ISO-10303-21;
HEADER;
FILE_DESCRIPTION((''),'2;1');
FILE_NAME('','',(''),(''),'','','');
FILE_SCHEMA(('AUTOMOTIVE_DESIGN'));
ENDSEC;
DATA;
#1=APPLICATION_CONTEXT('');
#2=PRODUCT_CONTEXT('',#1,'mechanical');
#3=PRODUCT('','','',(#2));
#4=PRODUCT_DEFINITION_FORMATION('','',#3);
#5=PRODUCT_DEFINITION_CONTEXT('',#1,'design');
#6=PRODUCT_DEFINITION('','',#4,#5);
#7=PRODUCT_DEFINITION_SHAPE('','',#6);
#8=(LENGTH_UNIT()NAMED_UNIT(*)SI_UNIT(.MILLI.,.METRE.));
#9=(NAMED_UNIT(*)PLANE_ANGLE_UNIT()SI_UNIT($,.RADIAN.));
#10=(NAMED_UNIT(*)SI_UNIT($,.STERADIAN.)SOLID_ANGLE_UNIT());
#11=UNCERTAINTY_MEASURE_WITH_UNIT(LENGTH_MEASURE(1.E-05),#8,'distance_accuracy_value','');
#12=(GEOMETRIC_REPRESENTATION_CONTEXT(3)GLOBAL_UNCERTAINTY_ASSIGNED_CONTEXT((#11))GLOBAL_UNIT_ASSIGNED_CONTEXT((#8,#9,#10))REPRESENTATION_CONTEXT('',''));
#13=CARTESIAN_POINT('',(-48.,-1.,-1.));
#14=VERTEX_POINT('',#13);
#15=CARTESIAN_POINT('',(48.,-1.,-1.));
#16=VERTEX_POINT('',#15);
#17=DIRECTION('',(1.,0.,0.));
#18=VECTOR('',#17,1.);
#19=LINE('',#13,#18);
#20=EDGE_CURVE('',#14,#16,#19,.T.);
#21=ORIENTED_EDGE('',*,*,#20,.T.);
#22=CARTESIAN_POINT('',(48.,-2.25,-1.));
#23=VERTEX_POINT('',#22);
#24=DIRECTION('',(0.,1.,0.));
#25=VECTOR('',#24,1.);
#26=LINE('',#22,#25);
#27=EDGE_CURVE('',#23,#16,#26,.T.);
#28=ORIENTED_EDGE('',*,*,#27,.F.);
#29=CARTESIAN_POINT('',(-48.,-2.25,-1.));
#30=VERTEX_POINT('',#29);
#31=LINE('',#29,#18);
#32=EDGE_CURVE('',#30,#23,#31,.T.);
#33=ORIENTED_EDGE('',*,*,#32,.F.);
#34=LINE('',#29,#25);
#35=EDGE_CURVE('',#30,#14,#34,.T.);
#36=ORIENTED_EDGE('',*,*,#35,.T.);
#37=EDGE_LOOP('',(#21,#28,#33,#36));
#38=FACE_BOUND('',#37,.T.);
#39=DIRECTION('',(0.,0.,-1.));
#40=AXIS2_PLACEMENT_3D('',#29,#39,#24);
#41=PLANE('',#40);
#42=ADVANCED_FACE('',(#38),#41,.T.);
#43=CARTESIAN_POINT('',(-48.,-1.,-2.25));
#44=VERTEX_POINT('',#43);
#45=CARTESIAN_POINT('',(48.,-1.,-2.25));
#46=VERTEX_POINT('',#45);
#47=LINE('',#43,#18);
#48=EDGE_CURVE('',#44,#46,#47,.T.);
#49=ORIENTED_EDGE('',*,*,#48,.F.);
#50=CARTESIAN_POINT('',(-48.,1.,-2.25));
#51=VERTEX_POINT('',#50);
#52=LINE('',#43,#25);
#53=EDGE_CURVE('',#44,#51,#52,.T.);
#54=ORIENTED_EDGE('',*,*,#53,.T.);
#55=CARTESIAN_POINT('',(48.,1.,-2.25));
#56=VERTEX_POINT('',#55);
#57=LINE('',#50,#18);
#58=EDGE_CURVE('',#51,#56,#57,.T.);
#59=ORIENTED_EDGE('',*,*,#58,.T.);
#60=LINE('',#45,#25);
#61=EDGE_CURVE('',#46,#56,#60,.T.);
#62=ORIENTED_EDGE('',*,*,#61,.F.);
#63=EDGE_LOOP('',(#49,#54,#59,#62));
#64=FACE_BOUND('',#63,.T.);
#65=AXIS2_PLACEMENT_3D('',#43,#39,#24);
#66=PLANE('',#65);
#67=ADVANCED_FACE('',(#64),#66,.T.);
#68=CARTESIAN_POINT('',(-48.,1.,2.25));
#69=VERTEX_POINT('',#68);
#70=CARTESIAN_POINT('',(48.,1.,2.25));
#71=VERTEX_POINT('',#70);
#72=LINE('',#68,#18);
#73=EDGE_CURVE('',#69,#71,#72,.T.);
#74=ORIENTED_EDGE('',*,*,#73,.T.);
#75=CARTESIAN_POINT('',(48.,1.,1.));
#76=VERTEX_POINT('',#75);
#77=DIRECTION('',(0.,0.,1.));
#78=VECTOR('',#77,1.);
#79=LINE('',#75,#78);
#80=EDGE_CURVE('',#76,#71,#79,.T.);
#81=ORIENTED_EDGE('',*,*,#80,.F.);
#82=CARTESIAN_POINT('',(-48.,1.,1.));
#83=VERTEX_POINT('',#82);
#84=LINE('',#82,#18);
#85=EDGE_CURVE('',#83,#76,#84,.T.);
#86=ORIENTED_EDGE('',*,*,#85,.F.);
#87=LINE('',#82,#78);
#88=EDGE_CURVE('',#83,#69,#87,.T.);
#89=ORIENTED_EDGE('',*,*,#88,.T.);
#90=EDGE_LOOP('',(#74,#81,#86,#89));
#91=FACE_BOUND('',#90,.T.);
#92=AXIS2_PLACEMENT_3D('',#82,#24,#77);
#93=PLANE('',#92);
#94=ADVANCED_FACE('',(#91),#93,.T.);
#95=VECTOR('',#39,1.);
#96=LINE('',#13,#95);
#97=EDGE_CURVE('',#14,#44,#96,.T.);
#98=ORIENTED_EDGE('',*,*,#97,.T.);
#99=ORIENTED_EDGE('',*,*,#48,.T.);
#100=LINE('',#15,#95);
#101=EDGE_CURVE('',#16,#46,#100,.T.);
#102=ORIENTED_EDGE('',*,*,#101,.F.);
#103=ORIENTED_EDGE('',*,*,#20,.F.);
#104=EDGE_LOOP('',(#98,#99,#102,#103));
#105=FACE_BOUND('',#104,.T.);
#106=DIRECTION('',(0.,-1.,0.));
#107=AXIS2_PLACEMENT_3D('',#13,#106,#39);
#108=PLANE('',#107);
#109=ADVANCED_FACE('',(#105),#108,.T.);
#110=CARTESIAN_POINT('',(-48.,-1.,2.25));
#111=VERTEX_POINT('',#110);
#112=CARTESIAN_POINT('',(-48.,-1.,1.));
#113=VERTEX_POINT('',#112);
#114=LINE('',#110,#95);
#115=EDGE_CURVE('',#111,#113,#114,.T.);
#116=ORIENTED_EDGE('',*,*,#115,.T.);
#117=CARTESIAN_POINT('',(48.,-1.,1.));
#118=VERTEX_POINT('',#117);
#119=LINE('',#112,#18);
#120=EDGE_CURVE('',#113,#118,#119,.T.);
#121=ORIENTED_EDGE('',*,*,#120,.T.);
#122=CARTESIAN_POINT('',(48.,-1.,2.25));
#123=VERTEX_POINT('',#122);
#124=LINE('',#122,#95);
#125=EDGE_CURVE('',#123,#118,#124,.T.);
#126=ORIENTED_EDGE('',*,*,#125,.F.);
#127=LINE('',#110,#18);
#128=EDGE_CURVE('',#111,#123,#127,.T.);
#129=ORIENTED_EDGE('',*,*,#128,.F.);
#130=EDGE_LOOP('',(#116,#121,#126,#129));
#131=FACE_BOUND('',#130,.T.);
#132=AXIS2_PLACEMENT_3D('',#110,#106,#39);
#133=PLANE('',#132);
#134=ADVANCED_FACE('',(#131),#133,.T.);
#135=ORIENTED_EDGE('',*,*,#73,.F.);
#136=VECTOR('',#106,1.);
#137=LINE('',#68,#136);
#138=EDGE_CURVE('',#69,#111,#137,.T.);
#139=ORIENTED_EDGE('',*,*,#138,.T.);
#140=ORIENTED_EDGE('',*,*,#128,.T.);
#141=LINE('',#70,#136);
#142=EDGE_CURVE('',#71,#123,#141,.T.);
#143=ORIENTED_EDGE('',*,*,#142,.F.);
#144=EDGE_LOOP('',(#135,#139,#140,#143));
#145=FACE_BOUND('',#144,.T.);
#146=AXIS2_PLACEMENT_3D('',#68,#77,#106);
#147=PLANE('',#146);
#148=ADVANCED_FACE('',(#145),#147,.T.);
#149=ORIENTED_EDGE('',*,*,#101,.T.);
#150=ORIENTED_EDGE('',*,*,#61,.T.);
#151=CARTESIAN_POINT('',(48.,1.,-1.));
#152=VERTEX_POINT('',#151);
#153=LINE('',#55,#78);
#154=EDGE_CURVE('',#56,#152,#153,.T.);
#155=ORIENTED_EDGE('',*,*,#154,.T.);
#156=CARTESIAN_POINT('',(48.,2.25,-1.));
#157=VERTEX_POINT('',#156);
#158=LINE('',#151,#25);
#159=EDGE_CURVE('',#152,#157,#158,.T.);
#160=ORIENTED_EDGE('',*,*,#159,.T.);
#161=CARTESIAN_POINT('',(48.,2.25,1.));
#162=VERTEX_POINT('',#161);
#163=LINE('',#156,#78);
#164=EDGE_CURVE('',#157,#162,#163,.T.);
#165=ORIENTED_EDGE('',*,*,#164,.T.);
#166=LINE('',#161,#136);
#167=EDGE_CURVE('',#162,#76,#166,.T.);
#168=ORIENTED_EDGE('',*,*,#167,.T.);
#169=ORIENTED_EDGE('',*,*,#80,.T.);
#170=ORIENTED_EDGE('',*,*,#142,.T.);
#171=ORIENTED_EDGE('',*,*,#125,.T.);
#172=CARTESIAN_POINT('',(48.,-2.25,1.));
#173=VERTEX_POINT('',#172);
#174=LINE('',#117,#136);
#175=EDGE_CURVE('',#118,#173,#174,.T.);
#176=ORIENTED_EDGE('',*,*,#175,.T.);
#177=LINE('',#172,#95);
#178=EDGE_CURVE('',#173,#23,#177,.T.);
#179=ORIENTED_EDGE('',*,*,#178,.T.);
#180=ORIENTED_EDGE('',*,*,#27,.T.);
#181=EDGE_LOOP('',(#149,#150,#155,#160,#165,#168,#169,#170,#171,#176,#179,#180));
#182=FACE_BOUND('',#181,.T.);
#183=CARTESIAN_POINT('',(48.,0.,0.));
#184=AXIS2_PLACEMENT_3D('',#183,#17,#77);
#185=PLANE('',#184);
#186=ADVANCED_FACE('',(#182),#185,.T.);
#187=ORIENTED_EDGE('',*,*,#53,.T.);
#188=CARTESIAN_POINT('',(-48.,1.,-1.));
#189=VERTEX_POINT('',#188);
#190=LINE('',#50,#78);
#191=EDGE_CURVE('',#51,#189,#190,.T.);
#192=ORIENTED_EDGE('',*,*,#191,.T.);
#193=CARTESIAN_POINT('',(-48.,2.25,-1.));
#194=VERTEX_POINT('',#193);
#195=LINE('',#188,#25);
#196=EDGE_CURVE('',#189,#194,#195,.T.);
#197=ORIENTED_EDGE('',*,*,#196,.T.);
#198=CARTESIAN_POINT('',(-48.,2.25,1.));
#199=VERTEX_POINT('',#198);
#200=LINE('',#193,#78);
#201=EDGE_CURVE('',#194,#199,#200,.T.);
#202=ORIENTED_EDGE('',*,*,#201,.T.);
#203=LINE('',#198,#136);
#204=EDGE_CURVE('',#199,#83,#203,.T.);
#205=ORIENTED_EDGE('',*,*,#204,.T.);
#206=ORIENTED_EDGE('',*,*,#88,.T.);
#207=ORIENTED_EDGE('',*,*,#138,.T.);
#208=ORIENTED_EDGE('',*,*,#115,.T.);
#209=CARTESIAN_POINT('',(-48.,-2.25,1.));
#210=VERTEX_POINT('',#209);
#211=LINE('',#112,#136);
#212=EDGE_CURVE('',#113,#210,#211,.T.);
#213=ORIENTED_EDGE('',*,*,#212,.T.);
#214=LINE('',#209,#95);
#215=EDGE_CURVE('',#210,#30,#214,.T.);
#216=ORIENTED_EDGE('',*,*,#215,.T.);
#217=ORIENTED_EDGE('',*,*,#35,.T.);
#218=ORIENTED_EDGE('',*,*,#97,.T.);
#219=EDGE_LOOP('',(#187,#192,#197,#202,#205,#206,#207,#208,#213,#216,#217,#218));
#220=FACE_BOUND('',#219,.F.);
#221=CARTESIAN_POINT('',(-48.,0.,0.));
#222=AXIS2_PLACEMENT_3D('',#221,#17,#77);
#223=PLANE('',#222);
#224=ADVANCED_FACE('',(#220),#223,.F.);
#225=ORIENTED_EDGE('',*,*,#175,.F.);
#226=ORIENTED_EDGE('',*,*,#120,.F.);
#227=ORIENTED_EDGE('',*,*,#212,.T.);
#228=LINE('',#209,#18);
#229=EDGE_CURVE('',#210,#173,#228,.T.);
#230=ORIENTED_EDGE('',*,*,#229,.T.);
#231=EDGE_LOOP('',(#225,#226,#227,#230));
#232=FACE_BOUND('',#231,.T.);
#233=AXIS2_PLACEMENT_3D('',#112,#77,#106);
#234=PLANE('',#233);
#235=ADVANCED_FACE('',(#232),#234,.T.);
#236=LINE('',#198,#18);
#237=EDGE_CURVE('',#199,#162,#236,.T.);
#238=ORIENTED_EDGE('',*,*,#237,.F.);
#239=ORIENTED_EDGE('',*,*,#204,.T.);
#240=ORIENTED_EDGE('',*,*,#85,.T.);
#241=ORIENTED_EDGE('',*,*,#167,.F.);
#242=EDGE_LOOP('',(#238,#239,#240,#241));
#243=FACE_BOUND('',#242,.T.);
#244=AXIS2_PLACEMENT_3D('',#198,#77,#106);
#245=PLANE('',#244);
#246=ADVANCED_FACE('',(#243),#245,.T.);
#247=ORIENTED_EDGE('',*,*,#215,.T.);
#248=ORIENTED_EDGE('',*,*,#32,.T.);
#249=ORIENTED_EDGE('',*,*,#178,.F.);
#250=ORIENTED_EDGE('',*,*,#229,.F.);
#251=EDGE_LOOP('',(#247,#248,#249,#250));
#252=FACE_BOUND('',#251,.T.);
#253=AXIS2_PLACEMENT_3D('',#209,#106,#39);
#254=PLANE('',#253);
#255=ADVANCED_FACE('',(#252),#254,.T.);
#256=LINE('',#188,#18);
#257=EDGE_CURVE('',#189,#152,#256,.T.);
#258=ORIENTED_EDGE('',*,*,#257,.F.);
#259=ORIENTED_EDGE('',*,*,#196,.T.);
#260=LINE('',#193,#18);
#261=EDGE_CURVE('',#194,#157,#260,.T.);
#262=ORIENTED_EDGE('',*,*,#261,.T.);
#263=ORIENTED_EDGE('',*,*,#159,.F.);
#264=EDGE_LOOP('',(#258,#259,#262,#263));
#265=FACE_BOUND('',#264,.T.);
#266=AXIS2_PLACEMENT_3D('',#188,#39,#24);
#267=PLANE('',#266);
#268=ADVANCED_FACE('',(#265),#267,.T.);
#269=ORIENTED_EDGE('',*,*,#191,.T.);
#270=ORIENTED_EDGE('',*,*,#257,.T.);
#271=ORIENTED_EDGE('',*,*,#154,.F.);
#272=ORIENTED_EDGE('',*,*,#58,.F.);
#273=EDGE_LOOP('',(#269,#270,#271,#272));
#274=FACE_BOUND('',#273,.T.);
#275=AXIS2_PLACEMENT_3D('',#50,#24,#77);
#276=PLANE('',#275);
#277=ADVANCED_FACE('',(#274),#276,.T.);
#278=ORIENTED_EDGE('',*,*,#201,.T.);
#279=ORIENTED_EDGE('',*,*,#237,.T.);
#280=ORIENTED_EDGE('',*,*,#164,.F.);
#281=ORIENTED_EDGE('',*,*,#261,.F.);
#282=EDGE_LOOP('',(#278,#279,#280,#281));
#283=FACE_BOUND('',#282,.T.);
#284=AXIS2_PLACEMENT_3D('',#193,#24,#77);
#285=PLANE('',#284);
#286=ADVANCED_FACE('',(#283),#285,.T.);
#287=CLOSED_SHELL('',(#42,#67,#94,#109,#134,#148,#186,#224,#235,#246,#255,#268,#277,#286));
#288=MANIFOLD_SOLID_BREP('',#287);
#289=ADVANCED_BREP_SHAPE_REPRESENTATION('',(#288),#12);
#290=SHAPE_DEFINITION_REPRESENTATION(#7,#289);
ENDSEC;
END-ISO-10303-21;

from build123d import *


with BuildPart() as f3:
    # F3: sweep along a path in F0
    with BuildLine(Plane.XZ) as f3_path:
        Line((-48, 0), (48, 0))
    # F2 (on face) → F3 (sweep)
    with BuildSketch(Plane.YZ.offset(-48)):
        Polygon((-1, -1), (-1, -2.25), (1, -2.25), (1, -1), (2.25, -1), (2.25, 1), (1, 1), (1, 2.25), (-1, 2.25), (-1, 1), (-2.25, 1), (-2.25, -1), align=None)
    sweep(path=f3_path.line)


solid = f3.part
